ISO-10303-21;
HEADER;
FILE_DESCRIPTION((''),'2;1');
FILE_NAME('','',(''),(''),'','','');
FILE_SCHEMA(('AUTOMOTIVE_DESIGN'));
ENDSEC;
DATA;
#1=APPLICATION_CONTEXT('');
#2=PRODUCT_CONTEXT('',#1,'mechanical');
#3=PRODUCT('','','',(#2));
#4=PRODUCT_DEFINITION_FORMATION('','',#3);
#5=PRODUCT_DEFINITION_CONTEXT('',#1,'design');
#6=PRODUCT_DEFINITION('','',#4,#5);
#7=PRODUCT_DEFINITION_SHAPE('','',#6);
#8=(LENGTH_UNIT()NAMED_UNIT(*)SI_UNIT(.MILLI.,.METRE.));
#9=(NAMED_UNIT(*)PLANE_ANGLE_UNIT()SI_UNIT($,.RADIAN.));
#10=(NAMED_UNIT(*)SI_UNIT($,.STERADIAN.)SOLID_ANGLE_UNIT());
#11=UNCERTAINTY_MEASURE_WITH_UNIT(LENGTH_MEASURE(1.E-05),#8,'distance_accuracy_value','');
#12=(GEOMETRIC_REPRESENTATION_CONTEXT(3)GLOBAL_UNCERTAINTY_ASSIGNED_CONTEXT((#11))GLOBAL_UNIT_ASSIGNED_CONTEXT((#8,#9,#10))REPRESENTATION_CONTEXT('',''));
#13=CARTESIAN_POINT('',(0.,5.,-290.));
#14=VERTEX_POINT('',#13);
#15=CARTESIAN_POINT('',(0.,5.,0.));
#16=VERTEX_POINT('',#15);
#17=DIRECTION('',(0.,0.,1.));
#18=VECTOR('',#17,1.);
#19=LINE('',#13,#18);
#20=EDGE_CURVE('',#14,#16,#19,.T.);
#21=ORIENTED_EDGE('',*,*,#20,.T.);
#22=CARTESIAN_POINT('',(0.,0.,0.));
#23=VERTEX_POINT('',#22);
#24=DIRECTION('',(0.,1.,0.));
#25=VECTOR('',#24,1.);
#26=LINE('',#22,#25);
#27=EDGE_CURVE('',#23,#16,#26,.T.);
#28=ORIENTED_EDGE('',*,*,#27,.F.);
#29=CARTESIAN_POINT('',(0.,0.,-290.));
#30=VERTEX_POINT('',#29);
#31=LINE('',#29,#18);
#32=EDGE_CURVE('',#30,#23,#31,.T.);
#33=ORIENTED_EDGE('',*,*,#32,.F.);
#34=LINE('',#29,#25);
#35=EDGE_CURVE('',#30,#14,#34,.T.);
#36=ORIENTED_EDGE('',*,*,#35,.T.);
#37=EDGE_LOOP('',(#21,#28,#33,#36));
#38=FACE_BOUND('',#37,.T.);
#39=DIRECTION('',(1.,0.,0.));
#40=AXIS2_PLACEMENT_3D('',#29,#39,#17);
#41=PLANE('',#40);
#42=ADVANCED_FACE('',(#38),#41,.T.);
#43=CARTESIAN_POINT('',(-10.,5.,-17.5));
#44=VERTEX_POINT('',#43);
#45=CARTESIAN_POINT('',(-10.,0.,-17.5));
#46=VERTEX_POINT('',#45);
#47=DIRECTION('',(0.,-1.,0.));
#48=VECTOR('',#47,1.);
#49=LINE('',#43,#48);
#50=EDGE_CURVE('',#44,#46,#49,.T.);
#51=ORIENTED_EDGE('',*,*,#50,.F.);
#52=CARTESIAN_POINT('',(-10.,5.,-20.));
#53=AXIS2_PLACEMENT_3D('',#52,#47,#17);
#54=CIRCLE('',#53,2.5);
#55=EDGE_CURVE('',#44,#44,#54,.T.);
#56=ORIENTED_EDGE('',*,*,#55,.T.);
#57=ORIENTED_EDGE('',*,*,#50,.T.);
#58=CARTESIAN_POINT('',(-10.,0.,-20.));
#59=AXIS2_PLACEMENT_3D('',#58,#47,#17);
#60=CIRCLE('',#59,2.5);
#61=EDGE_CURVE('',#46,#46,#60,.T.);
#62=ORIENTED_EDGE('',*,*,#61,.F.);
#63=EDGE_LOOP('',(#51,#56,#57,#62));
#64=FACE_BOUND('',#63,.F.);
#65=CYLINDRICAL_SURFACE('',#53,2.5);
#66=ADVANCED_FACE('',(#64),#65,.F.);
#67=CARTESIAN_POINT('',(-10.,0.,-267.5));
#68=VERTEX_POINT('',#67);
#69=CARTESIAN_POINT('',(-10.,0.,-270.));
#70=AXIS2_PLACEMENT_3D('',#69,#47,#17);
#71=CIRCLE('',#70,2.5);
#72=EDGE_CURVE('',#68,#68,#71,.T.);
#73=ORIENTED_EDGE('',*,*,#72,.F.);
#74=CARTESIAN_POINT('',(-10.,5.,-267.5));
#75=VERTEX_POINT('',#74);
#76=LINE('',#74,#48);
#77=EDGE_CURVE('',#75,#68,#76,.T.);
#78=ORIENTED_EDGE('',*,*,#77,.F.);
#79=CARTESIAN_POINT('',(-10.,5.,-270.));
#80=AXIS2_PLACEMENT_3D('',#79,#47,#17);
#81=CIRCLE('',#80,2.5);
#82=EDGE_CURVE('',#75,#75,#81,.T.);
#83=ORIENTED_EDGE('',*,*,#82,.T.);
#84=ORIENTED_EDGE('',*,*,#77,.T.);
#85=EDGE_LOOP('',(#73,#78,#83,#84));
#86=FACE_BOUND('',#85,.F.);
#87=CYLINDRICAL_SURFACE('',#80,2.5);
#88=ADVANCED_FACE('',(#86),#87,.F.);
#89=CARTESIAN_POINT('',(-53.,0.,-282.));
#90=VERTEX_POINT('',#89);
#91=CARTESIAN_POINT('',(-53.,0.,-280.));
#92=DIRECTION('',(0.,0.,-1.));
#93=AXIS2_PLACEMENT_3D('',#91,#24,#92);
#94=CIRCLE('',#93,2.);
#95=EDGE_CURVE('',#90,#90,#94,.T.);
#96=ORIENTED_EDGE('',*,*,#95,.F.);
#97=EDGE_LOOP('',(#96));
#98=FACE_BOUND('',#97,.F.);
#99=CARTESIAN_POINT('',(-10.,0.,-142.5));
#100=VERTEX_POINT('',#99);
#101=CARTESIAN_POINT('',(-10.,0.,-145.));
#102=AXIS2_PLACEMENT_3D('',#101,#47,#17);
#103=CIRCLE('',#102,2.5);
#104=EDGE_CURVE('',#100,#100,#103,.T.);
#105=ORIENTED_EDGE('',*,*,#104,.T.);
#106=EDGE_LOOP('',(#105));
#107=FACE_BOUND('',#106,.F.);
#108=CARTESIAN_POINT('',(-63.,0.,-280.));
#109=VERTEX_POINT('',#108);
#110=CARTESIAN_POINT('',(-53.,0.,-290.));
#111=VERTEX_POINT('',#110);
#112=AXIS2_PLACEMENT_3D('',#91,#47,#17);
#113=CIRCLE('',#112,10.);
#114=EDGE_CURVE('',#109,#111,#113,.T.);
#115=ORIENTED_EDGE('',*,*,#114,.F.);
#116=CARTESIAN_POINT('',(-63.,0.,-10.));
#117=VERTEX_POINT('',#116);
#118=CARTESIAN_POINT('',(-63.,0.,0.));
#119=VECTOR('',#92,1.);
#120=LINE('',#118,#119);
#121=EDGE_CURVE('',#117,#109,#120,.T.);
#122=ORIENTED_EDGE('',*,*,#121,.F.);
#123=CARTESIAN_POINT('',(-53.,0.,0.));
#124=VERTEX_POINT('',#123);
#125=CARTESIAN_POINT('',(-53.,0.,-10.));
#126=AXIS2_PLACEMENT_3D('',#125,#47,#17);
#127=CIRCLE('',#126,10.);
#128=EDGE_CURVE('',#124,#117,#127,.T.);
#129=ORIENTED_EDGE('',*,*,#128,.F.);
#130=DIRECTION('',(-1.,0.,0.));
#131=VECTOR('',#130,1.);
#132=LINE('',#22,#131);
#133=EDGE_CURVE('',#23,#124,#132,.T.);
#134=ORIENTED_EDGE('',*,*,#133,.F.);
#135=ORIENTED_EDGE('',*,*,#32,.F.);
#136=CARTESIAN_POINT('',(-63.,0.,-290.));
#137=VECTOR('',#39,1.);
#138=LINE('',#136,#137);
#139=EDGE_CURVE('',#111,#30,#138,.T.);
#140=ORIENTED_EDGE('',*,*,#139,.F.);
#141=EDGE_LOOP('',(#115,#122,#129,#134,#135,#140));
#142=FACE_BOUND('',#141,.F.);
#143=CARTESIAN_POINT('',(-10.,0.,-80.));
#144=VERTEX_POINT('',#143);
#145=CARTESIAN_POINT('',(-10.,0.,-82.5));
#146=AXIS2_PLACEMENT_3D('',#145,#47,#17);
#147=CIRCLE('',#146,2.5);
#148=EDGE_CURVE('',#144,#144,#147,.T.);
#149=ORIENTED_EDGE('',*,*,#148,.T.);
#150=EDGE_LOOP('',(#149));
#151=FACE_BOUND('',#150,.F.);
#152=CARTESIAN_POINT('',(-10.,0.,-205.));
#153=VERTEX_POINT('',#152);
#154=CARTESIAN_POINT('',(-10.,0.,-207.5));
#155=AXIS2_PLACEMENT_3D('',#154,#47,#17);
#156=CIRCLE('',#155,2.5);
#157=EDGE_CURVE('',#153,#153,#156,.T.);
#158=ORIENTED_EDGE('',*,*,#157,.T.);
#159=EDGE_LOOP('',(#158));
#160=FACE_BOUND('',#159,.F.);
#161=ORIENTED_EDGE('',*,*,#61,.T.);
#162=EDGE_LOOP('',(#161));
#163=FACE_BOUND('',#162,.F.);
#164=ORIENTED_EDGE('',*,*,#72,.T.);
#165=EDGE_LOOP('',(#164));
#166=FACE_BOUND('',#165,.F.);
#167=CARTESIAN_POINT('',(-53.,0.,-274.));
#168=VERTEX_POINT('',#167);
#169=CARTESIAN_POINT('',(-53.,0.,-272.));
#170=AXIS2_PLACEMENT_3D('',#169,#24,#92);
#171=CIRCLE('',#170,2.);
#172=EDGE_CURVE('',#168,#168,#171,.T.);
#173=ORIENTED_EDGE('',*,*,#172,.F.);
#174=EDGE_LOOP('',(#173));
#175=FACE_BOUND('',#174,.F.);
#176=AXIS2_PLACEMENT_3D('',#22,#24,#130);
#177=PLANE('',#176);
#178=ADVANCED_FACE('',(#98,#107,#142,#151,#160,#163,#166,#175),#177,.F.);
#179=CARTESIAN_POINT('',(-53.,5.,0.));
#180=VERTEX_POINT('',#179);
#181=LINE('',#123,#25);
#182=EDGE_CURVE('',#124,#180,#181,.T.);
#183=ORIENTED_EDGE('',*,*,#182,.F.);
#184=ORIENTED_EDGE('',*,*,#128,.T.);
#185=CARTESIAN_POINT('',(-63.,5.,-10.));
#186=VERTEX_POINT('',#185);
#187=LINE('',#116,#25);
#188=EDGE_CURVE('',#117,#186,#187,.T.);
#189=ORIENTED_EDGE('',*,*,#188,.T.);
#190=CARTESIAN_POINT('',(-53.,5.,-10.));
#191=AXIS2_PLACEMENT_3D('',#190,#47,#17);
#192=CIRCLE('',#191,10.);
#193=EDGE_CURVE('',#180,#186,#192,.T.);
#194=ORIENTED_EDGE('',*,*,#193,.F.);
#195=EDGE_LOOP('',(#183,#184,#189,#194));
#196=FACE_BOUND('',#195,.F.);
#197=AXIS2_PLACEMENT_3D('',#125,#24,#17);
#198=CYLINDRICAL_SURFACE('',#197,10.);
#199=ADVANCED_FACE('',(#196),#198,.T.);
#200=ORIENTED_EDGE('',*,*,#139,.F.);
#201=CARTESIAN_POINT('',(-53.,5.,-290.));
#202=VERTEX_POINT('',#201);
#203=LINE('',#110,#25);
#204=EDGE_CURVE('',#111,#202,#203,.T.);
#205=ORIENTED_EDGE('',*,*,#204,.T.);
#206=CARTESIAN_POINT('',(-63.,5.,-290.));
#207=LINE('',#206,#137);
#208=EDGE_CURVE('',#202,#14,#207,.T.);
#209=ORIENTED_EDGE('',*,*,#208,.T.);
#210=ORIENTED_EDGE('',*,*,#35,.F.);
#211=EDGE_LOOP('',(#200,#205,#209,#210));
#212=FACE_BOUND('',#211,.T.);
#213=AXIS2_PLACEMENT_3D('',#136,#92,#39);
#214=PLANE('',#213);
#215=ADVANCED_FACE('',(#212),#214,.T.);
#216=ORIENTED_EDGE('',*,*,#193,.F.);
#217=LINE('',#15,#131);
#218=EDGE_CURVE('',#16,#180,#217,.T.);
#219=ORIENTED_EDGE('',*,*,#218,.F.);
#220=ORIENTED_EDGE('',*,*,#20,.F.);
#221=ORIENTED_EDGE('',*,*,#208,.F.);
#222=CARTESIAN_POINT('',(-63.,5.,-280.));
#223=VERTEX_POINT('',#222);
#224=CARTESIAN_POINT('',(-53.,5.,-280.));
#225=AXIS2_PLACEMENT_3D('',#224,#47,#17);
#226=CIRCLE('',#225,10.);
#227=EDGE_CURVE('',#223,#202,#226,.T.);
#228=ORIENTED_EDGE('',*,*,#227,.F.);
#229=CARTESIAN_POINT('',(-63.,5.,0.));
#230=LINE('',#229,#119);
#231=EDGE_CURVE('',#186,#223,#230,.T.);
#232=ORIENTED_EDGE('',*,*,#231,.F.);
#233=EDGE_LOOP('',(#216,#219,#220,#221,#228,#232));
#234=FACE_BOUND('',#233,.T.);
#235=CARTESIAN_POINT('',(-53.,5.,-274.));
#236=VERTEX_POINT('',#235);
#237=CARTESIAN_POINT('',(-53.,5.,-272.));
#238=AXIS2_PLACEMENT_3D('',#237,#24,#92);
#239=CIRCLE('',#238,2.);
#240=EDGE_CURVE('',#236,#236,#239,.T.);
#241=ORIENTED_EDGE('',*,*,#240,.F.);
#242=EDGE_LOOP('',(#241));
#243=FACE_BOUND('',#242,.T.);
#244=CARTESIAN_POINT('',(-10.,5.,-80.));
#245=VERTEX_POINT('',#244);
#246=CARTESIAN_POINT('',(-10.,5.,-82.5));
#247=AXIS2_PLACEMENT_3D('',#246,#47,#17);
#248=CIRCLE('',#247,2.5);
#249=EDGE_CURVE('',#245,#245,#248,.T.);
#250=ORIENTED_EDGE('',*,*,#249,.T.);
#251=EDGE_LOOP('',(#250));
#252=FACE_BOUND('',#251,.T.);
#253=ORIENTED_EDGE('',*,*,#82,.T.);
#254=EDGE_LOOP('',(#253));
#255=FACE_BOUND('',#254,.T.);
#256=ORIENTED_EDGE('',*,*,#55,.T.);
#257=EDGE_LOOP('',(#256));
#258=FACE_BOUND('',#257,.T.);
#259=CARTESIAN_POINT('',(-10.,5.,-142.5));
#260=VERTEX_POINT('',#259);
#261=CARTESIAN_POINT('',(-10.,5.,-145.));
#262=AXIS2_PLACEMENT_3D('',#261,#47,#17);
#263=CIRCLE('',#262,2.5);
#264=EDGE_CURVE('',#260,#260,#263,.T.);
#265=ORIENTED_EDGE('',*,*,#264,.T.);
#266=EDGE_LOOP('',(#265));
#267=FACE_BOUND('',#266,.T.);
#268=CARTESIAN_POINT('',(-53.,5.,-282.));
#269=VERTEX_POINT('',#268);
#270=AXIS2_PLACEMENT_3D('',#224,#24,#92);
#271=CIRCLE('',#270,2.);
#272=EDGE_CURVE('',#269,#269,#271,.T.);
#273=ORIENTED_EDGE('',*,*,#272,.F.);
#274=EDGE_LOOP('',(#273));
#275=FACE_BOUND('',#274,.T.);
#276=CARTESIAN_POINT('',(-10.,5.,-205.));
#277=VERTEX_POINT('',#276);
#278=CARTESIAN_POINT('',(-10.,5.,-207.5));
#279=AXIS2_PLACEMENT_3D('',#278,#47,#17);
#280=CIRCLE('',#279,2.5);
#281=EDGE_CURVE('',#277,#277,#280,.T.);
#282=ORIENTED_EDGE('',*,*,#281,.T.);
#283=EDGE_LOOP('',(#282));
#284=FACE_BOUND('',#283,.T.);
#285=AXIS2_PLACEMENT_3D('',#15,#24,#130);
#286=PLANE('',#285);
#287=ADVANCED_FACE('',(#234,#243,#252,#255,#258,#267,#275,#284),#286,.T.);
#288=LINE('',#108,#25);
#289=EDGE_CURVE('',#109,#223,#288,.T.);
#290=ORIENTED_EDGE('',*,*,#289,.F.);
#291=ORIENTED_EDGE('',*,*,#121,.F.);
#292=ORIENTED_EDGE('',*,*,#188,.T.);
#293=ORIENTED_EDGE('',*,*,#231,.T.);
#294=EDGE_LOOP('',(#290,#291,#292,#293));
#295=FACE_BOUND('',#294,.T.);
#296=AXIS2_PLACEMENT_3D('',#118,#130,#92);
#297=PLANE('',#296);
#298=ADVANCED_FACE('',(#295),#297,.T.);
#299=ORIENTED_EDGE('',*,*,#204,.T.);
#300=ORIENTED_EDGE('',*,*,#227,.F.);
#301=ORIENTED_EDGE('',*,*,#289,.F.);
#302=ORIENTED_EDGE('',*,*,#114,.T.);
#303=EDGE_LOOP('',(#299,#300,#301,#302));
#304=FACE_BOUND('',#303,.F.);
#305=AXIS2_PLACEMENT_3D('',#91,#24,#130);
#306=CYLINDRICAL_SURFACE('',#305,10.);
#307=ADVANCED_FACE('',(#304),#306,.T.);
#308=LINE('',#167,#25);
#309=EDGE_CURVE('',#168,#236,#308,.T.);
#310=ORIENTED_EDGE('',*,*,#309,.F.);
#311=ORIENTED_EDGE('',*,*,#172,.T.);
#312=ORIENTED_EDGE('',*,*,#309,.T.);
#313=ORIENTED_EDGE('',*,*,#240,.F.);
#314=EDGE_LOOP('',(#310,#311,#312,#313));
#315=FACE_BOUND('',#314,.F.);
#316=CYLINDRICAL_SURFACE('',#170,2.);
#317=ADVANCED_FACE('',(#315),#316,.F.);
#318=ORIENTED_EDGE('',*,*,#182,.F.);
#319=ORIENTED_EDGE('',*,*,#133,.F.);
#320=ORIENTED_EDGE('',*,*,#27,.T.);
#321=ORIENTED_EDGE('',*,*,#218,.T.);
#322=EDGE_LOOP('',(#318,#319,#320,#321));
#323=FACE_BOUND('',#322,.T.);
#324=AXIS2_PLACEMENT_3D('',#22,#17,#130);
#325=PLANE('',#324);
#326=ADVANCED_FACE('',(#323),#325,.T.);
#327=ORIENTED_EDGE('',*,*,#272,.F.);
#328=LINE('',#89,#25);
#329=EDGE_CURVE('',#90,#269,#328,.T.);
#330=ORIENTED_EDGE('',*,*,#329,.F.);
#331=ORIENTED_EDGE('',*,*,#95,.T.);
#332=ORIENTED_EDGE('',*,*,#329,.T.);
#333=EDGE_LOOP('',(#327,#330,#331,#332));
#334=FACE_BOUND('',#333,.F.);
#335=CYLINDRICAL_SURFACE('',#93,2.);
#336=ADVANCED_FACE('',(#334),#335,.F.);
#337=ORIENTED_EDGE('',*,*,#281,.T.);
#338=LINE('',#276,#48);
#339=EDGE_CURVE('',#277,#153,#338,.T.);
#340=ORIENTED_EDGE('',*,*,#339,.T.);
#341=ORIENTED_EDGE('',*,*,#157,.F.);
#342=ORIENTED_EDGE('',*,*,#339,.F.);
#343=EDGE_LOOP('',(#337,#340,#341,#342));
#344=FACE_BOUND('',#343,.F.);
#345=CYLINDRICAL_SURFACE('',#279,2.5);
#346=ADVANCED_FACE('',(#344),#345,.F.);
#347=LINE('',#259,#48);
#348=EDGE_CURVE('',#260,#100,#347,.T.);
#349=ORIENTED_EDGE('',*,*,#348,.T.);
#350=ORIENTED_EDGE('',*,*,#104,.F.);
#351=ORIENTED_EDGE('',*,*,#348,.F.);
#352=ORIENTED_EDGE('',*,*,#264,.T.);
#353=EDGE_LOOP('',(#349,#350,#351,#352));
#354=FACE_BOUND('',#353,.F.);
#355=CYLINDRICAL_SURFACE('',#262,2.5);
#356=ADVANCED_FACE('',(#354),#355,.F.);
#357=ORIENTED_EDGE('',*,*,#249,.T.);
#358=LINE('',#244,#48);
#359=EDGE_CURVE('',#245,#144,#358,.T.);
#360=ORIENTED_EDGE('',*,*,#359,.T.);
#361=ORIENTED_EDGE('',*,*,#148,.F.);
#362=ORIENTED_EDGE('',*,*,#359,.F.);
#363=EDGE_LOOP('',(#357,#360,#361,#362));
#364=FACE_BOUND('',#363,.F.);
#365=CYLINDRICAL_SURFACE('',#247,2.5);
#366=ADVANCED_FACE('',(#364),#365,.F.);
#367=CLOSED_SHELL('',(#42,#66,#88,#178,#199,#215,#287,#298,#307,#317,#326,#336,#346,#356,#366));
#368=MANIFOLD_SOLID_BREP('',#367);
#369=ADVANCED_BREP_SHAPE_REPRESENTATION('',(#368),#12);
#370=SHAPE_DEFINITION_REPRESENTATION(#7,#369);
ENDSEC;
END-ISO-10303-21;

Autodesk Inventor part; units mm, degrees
ref_plane "YZ Plane" through (0, 0, 0) normal (1, 0, 0) x (0, 1, 0)
ref_plane "XZ Plane" through (0, 0, 0) normal (0, 1, 0) x (-1, 0, 0)
ref_plane "XY Plane" through (0, 0, 0) normal (0, 0, 1) x (1, 0, 0)
sketch "Sketch1" plane through (0, 0, 0) normal (0, 1, 0) x (-1, 0, 0)
  line L0 (0, 0) -> (63, 0)
  line L1 (63, 0) -> (63, -290)
  line L2 (63, -290) -> (0, -290)
  line L3 (0, -290) -> (0, 0)
  dimension "d0" = 290
  dimension "d1" = 63
extrude "Extrusion1" add sketch "Sketch1" along normal blind 5
fillet "Fillet1" radius 10 2 edges at (-63, 2.5, 0) (-63, 2.5, -290)
sketch "Sketch2" plane through (0, 0, 0) normal (0, -1, 0) x (1, 0, 0)
  line L0 (-53, -251.9925) -> (-53, -308.0075) construction
  line L1 (-63, -280) -> (-63, -10) projected
  circle A0 centre (-53, -280) radius 2
  circle A1 centre (-53, -272) radius 2
  line L2 (0, -290) -> (-53, -290) projected
  point P0 (0, 0)
  dimension "d5" = 10
  dimension "d6" = 4
  dimension "d7" = 4
  dimension "d8" = 8
  dimension "d9" = 10
hole "Hole1" at (-53, 0, -280) at (-53, 0, -272) direction (0, 1, 0) diameter 4 end through all
sketch "Sketch3" plane through (0, 5, 0) normal (0, 1, 0) x (1, 0, 0)
  line L0 (-10, -16.5573) -> (-10, 317.2677) construction
  line L1 (0, 0) -> (0, 290) projected
  circle A0 centre (-10, 20) radius 2.5
  circle A1 centre (-10, 270) radius 2.5
  circle A2 centre (-10, 82.5) radius 2.5
  circle A3 centre (-10, 145) radius 2.5
  line L2 (-53, 0) -> (0, 0) projected
  line L3 (0, 290) -> (-53, 290) projected
  circle A4 centre (-10, 207.5) radius 2.5
  dimension "d17" = 10
  dimension "d18" = 20
  dimension "d19" = 20
  dimension "d20" = 62.5
  dimension "d21" = 62.5
  dimension "d22" = 62.5
  dimension "d23" = 5
  dimension "d24" = 5
  dimension "d25" = 5
  dimension "d26" = 5
  dimension "d27" = 5
hole "Hole2" at (-10, 5, -20) at (-10, 5, -82.5) at (-10, 5, -145) at (-10, 5, -207.5) at (-10, 5, -270) direction (0, -1, 0) diameter 5 end through all
equation "\"d7\" = d6"
equation "\"d10\" = d6"
equation "\"d24\" = d23"
equation "\"d25\" = d24"
equation "\"d26\" = d25"
equation "\"d27\" = d26"
equation "\"d28\" = d23"
properties part number "Y_Kettenhalter"
